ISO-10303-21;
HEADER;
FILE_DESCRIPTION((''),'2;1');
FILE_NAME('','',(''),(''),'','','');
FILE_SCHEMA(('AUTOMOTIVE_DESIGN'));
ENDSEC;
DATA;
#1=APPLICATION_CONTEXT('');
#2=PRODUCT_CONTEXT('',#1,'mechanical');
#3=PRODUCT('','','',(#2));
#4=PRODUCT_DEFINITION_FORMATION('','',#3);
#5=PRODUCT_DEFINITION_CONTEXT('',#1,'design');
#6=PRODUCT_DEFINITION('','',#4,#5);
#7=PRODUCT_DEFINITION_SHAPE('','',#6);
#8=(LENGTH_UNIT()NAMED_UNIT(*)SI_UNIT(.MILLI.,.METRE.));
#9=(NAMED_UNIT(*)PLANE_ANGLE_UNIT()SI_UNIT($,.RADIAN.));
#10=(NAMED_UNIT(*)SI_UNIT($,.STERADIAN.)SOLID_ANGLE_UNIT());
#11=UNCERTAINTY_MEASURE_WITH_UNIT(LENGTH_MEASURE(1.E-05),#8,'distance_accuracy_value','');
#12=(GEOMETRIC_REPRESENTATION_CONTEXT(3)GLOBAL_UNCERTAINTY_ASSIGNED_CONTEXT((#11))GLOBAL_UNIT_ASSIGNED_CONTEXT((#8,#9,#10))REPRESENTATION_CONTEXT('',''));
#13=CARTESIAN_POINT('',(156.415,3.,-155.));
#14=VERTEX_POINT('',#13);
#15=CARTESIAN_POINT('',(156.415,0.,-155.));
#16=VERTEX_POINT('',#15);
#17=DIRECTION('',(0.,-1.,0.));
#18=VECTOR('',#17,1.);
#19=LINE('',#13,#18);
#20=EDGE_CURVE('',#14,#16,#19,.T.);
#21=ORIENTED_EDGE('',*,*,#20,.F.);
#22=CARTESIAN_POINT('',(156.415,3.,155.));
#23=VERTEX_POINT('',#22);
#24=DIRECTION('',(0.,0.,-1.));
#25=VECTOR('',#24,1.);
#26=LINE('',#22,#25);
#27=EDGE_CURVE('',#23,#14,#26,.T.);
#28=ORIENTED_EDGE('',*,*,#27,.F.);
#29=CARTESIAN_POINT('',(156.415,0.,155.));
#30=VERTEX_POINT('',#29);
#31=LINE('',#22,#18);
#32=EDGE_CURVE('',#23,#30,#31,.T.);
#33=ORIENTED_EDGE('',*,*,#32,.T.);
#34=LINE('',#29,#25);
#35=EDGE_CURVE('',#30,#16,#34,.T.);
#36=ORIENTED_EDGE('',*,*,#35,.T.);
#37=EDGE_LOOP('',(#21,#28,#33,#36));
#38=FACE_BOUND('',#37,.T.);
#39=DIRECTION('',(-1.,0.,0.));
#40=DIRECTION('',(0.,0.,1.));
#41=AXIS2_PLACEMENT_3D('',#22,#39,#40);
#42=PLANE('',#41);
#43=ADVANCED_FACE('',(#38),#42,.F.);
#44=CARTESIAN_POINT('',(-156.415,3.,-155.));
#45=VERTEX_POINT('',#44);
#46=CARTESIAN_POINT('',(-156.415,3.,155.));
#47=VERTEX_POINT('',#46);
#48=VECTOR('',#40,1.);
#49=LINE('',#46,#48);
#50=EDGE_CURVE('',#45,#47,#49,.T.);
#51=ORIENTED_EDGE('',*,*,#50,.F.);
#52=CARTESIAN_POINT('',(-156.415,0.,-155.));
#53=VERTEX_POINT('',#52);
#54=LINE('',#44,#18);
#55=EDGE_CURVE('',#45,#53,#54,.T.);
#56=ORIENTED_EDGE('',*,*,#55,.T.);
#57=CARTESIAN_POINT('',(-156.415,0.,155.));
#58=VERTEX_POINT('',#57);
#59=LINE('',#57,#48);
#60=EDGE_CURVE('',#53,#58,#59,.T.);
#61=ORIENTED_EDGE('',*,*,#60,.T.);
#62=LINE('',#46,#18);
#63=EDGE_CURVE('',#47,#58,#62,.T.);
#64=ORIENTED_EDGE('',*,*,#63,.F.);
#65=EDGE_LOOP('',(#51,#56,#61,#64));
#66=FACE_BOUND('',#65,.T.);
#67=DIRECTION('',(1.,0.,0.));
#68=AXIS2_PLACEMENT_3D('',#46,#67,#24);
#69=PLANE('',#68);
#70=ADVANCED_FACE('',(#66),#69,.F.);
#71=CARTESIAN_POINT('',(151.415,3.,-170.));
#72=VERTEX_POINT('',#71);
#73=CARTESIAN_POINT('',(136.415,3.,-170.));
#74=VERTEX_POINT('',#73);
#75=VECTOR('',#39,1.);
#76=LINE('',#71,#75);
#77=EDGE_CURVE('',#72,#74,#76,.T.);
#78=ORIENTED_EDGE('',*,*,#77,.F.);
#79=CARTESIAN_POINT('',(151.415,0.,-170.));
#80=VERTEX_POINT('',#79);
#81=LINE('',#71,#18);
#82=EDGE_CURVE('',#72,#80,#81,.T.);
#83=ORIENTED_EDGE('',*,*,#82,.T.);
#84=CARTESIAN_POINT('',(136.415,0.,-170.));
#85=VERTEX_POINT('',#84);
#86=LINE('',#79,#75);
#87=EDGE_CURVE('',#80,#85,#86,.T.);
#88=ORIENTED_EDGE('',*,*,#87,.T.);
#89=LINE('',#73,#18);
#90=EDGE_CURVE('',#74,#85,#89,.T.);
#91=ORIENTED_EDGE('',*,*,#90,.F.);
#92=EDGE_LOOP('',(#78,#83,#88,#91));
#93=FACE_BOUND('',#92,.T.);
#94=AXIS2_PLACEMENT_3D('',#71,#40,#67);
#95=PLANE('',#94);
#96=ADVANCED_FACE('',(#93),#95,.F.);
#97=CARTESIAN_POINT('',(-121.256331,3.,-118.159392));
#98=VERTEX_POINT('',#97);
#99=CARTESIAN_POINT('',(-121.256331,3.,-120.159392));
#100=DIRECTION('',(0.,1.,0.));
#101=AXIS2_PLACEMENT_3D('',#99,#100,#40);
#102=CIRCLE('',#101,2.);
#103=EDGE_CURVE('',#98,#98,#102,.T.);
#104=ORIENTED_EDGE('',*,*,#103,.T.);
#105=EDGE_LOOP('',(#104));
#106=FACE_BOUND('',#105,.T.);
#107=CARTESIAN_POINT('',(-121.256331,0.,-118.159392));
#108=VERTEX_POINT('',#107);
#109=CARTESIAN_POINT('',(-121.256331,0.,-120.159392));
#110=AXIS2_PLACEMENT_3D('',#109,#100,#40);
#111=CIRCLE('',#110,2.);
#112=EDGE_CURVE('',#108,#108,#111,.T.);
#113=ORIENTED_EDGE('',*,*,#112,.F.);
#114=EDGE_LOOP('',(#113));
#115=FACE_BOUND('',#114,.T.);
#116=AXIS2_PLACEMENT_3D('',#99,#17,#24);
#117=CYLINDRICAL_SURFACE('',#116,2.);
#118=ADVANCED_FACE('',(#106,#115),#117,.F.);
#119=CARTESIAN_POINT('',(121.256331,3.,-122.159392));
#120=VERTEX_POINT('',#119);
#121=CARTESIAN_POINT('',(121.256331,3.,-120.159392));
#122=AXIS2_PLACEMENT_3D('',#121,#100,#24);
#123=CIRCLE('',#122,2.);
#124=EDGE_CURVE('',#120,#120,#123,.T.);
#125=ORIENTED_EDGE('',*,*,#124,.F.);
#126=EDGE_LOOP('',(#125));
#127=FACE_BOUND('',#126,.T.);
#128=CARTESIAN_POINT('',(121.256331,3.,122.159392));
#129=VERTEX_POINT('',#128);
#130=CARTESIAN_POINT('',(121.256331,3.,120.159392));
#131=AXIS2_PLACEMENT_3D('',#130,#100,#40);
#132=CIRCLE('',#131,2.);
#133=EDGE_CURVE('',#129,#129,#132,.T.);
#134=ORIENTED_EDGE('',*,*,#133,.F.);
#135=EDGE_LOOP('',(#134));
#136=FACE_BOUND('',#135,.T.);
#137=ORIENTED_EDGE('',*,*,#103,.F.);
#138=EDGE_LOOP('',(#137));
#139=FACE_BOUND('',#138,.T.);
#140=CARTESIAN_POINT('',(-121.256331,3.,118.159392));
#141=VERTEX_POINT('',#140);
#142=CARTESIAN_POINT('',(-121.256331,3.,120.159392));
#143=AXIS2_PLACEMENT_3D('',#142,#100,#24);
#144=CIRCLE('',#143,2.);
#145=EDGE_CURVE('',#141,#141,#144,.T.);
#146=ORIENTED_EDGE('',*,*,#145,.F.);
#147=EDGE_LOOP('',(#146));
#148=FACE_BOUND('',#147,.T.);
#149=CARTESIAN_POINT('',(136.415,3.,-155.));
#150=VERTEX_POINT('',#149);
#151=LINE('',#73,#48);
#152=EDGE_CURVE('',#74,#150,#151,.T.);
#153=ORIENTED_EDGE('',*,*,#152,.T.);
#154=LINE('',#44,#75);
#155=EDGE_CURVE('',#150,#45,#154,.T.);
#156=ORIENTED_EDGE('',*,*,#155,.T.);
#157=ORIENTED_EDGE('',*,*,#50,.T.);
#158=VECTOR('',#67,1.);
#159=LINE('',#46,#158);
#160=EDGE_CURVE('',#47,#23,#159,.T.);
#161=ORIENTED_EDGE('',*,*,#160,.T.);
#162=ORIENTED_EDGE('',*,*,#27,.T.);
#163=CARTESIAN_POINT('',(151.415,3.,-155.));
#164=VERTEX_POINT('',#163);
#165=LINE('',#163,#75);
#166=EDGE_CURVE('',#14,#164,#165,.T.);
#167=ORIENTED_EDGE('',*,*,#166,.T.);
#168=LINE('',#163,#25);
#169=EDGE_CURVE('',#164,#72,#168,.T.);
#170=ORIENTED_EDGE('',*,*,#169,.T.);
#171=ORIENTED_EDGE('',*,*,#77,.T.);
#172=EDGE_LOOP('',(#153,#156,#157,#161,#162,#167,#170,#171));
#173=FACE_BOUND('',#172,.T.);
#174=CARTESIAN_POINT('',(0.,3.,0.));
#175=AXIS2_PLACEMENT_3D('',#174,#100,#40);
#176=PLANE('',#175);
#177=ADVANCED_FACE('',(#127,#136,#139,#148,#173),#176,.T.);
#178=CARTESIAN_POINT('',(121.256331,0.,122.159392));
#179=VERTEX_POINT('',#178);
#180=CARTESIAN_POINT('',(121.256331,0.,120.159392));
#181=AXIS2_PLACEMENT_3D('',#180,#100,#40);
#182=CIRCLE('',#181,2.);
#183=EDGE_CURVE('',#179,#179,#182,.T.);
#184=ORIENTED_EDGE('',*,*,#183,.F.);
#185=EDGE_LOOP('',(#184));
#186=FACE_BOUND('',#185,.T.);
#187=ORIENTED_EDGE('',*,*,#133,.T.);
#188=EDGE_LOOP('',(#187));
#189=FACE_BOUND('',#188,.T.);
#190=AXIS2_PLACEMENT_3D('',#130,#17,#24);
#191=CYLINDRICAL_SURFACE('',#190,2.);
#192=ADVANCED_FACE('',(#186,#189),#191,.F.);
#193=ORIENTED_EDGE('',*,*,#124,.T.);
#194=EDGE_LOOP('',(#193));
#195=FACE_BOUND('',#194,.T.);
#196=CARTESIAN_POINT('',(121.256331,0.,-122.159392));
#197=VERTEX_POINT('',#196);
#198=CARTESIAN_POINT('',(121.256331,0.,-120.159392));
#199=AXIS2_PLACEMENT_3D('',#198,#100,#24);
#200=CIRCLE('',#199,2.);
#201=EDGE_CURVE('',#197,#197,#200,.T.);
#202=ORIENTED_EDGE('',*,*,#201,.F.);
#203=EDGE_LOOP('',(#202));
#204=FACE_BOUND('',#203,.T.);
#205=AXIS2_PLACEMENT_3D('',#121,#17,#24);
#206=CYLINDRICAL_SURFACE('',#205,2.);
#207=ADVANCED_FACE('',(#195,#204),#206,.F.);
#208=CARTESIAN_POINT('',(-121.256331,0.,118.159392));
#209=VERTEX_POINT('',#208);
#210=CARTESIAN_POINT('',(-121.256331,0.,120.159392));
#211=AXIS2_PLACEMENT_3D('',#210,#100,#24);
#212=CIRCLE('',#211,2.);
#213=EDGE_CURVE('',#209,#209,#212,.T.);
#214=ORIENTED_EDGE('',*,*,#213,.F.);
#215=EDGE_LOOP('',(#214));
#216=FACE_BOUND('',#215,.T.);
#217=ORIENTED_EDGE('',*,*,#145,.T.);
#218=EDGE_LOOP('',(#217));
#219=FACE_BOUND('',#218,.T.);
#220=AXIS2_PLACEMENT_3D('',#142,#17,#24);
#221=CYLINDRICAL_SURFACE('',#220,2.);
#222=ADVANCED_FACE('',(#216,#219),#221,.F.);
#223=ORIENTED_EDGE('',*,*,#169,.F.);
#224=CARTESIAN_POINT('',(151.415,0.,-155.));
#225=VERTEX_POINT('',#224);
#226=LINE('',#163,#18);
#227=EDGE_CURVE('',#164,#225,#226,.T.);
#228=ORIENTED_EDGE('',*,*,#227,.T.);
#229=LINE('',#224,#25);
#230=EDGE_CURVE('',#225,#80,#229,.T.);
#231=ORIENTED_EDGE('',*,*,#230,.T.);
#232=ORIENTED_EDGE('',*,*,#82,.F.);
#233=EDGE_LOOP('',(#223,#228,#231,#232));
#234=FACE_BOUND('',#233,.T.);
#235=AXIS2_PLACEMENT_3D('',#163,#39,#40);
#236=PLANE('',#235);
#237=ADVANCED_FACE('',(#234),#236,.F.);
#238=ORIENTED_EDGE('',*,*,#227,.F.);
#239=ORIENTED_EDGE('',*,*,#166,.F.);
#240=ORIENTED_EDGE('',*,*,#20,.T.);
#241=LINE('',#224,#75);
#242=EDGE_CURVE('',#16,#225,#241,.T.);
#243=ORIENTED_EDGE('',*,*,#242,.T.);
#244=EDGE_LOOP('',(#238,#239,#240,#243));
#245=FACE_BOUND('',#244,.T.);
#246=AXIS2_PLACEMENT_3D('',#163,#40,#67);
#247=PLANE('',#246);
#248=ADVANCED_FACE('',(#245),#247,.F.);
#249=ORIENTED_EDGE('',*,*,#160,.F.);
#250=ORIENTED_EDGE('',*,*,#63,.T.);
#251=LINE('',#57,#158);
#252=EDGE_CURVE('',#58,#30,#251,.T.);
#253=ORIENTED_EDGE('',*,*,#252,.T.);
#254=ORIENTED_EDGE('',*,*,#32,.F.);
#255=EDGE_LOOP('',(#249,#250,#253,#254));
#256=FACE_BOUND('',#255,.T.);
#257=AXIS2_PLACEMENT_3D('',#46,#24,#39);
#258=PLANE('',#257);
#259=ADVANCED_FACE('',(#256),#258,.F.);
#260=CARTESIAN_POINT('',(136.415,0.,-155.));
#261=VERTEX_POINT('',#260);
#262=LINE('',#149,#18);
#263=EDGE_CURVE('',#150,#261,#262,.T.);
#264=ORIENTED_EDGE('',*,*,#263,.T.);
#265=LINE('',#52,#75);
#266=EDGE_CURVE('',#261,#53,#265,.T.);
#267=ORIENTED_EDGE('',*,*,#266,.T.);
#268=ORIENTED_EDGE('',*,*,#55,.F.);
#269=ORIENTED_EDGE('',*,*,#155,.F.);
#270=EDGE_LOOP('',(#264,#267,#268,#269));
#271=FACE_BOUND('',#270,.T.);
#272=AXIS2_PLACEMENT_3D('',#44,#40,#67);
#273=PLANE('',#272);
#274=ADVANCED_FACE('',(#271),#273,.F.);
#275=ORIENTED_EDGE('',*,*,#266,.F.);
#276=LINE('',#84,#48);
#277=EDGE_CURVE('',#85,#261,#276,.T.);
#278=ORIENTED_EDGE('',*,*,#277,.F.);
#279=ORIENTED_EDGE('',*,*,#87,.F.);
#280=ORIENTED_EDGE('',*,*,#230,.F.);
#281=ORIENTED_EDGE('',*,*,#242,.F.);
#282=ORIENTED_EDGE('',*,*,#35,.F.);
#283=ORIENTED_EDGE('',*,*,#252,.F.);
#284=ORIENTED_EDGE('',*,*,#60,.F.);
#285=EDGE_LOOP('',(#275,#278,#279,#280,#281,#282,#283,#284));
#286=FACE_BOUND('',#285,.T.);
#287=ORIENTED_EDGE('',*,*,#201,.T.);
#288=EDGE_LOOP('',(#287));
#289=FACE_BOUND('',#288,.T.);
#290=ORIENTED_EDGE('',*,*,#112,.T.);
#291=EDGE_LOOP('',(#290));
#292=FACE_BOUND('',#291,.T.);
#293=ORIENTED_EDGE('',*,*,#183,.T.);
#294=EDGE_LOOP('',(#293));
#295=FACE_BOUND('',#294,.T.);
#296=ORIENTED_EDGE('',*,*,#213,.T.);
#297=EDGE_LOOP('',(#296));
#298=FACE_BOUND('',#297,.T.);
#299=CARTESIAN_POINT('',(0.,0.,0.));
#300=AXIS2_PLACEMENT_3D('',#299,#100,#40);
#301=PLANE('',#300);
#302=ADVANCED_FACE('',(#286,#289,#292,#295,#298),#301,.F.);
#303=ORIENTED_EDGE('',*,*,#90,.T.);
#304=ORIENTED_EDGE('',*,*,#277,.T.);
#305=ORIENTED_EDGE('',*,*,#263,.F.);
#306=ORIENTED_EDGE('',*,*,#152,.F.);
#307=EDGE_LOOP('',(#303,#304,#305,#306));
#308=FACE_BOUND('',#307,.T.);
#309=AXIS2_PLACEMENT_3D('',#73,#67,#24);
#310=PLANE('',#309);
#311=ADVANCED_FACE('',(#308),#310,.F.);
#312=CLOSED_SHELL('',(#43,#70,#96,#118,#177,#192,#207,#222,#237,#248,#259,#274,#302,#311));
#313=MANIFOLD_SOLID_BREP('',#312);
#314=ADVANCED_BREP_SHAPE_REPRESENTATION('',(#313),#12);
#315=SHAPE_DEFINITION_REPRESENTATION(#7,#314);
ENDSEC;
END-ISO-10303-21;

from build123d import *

# Parameters (mm, degrees)
SKETCH2_R           = 2
BOSS_EXTRUDE1_DEPTH = 3


with BuildPart() as part:
    # Sketch2 → Boss-Extrude1 (new body)
    with BuildSketch(Plane(origin=(0, 0, 0), x_dir=(1, 0, 0), z_dir=(0, 1, 0))):
        Polygon((-156.415, -155), (156.415, -155), (156.415, 155), (151.415, 155), (151.415, 170), (136.415, 170), (136.415, 155), (-156.415, 155), align=None)
        with Locations((-121.25633078, 120.159391816)):
            Circle(SKETCH2_R, mode=Mode.SUBTRACT)
        with Locations((-121.25633078, -120.159391816)):
            Circle(SKETCH2_R, mode=Mode.SUBTRACT)
        with Locations((121.25633078, -120.159391816)):
            Circle(SKETCH2_R, mode=Mode.SUBTRACT)
        with Locations((121.25633078, 120.159391816)):
            Circle(SKETCH2_R, mode=Mode.SUBTRACT)
    extrude(amount=BOSS_EXTRUDE1_DEPTH)


solid = part.part
